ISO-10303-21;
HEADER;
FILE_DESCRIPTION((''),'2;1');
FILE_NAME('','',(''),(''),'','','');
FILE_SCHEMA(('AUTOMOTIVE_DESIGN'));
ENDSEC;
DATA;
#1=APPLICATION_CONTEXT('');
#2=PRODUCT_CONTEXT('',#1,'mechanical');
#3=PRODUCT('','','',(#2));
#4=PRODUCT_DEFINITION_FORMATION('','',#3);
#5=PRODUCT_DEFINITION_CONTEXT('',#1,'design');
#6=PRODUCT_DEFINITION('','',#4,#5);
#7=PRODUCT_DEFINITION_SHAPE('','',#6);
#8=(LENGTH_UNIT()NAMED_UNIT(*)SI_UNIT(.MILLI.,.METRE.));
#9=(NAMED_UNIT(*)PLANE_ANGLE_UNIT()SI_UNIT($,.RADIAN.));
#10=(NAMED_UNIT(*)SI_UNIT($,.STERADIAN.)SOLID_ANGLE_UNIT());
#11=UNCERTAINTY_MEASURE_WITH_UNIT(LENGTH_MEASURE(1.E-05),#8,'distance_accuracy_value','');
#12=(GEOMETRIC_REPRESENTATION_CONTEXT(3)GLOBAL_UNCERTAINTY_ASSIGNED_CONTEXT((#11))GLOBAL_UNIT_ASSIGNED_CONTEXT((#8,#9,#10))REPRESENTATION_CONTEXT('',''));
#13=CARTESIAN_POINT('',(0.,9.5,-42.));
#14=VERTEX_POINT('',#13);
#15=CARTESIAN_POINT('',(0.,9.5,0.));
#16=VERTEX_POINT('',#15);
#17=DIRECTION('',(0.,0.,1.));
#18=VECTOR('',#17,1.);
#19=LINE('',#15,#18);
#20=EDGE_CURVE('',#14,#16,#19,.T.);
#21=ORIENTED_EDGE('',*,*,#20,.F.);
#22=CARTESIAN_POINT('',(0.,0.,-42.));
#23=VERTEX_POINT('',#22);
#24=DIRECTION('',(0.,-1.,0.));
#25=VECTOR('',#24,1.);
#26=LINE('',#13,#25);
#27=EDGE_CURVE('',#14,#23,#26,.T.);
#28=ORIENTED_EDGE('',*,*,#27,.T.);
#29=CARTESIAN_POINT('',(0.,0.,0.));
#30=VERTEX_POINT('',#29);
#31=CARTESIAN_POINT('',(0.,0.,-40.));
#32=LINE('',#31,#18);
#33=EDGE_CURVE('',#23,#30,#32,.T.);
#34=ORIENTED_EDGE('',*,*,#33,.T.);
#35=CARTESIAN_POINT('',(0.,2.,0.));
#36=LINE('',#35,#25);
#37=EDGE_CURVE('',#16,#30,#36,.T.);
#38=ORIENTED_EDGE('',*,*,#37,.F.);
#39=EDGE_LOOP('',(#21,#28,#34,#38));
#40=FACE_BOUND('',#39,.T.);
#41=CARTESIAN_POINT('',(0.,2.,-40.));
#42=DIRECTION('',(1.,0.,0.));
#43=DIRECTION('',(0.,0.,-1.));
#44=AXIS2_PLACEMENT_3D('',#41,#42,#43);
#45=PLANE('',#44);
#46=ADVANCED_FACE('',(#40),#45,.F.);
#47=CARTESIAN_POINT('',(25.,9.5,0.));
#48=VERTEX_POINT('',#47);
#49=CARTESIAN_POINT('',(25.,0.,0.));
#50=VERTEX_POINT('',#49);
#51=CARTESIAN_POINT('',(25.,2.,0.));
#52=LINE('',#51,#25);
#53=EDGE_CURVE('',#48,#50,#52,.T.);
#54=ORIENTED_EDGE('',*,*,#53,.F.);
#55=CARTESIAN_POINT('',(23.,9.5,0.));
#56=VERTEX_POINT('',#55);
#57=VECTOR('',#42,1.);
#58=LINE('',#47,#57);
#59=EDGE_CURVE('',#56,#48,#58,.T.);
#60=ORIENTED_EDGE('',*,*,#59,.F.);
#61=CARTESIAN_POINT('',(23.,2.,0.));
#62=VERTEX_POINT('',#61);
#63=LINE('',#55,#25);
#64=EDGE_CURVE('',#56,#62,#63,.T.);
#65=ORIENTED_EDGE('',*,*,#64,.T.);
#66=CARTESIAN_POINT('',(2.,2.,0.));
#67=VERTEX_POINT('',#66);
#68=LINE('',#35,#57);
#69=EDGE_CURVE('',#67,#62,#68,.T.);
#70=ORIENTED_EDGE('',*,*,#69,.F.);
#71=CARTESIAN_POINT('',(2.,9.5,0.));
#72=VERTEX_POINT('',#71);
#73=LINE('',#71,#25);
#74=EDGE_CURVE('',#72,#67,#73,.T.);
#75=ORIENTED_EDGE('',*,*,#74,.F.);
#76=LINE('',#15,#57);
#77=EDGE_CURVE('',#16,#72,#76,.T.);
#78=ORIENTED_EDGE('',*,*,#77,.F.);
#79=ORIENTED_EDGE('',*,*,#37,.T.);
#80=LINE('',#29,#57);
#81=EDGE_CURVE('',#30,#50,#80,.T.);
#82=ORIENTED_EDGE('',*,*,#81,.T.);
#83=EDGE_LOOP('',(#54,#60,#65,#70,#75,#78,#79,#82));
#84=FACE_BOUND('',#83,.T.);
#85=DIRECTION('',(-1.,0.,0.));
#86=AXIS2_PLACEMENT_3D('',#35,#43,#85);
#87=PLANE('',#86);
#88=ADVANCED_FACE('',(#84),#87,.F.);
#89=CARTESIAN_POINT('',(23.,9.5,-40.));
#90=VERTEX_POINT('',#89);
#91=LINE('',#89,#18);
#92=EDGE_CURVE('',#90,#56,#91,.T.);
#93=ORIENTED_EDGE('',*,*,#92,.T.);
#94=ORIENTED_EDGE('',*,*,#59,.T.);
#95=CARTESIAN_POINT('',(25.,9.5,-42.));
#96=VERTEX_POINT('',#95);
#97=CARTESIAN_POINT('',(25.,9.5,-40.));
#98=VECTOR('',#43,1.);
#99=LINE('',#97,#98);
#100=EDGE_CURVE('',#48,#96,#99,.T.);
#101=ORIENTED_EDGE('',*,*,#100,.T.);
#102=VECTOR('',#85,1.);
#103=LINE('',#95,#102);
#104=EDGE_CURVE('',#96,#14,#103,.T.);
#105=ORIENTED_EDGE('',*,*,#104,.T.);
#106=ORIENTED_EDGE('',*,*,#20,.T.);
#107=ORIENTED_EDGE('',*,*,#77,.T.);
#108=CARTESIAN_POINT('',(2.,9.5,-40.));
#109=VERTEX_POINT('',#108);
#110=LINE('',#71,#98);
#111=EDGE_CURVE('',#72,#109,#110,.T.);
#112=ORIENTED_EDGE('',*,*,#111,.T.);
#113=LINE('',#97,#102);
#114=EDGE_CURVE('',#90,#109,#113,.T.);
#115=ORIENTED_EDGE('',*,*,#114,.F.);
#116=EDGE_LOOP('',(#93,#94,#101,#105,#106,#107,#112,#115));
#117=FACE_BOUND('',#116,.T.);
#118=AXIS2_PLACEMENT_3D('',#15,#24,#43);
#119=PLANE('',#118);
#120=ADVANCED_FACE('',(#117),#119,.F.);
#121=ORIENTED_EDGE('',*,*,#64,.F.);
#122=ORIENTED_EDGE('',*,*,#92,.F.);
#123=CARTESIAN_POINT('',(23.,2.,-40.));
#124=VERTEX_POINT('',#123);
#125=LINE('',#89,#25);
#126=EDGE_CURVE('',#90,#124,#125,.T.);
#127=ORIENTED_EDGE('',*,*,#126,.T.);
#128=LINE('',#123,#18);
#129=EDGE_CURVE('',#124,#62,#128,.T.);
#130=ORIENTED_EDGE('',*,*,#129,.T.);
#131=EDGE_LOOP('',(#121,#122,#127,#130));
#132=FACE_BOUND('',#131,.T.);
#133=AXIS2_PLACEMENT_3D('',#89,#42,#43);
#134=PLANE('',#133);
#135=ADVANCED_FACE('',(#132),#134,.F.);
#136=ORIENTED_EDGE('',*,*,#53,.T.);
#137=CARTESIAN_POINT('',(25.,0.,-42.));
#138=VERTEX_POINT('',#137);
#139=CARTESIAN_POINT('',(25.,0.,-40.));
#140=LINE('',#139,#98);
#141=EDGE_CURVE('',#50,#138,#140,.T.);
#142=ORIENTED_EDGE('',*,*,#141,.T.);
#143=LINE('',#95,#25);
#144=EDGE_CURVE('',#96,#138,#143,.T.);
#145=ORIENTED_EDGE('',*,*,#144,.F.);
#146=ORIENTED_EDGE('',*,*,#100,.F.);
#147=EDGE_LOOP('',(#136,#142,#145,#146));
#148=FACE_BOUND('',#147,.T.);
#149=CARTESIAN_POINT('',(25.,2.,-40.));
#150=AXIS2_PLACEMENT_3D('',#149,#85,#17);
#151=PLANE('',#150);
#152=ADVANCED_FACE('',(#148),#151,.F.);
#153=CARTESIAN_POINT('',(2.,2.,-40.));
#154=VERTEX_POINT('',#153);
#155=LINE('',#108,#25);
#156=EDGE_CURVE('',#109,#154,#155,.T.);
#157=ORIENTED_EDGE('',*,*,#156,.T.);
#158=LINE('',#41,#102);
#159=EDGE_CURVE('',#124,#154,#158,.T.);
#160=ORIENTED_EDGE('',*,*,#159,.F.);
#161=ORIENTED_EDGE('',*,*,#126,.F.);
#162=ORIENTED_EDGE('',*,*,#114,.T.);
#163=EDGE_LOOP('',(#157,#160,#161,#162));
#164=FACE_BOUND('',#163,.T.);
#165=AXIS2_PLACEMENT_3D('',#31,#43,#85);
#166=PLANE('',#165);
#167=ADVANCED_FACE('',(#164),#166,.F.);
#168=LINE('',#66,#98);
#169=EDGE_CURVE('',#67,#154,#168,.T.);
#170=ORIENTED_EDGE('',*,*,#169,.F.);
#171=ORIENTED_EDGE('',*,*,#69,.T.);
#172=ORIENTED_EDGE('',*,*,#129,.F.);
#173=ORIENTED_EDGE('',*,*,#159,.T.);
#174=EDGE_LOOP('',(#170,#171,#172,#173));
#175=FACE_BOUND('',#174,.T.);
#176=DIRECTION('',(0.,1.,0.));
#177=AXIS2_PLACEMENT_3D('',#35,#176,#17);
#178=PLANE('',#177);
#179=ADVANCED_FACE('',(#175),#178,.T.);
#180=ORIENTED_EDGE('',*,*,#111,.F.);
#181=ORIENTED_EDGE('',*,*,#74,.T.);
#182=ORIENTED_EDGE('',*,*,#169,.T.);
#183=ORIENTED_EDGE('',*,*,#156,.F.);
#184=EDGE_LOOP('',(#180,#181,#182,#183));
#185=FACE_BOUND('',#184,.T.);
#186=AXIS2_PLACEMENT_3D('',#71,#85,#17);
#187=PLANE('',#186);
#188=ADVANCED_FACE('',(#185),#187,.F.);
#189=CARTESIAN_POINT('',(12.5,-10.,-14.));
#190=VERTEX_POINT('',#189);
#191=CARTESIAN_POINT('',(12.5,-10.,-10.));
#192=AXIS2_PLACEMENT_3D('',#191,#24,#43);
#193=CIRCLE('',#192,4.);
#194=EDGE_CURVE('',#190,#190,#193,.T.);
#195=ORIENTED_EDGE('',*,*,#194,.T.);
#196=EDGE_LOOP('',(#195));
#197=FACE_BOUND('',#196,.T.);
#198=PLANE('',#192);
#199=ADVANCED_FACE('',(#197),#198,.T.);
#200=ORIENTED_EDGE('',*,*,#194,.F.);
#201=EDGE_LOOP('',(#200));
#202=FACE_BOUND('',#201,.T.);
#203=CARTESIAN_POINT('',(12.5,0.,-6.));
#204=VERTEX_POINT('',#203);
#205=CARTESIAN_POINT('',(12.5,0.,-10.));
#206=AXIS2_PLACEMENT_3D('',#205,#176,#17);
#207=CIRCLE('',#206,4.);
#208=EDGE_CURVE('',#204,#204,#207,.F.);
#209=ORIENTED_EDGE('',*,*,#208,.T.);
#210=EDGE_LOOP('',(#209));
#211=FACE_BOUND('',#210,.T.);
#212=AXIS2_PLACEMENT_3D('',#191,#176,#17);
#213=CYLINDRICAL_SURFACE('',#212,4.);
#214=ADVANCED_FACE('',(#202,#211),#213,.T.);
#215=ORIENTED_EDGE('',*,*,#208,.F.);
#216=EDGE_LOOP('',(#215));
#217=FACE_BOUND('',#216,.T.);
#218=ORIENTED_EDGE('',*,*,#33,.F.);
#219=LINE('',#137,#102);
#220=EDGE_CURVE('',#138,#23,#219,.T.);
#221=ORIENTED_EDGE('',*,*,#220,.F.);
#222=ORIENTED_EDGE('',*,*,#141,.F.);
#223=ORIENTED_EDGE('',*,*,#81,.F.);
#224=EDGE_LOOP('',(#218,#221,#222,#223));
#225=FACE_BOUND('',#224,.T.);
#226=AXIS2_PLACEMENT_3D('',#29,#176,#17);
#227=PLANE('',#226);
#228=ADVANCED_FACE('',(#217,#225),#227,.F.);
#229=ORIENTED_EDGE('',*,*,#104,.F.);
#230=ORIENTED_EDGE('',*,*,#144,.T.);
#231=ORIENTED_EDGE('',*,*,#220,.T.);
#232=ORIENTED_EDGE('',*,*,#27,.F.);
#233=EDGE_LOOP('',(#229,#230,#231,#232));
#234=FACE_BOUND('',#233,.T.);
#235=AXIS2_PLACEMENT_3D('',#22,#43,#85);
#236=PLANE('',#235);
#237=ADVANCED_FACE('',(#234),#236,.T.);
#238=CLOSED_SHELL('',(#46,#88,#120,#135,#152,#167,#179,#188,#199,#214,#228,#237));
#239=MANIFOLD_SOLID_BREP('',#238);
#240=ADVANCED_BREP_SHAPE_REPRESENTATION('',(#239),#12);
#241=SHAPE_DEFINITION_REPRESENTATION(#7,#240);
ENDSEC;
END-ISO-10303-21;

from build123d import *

# Parameters (mm, degrees)
SKETCH1_W           = 25
SKETCH1_H           = 40
BOSS_EXTRUDE1_DEPTH = 2
SKETCH2_W           = 2
SKETCH2_H           = 40
BOSS_EXTRUDE2_DEPTH = 7.5
SKETCH3_R           = 4
BOSS_EXTRUDE3_DEPTH = 10
SKETCH4_W           = 25
SKETCH4_H           = 9.5
BOSS_EXTRUDE4_DEPTH = 2


with BuildPart() as part:
    # Sketch1 → Boss-Extrude1 (new body)
    with BuildSketch(Plane(origin=(0, 0, 0), x_dir=(1, 0, 0), z_dir=(0, 1, 0))):
        with Locations((12.5, 20)):
            Rectangle(SKETCH1_W, SKETCH1_H)
    extrude(amount=BOSS_EXTRUDE1_DEPTH)

    # Sketch2 → Boss-Extrude2 (add)
    with BuildSketch(Plane(origin=(0, 2, 0), x_dir=(1, 0, 0), z_dir=(0, 1, 0))):
        with Locations((1, 20)):
            Rectangle(SKETCH2_W, SKETCH2_H)
        with Locations((24, 20)):
            Rectangle(SKETCH2_W, SKETCH2_H)
    extrude(amount=BOSS_EXTRUDE2_DEPTH)

    # Sketch3 → Boss-Extrude3 (add)
    with BuildSketch(Plane(origin=(0, 0, 0), x_dir=(-1, 0, 0), z_dir=(0, -1, 0))):
        with Locations(Location((-12.5, 10, 0), (0, 0, 270))):
            Circle(SKETCH3_R)
    extrude(amount=BOSS_EXTRUDE3_DEPTH)

    # Sketch4 → Boss-Extrude4 (add)
    with BuildSketch(Plane(origin=(0, 0, -40), x_dir=(-1, 0, 0), z_dir=(0, 0, -1))):
        with Locations((-12.5, 4.75)):
            Rectangle(SKETCH4_W, SKETCH4_H)
    extrude(amount=BOSS_EXTRUDE4_DEPTH)


solid = part.part
